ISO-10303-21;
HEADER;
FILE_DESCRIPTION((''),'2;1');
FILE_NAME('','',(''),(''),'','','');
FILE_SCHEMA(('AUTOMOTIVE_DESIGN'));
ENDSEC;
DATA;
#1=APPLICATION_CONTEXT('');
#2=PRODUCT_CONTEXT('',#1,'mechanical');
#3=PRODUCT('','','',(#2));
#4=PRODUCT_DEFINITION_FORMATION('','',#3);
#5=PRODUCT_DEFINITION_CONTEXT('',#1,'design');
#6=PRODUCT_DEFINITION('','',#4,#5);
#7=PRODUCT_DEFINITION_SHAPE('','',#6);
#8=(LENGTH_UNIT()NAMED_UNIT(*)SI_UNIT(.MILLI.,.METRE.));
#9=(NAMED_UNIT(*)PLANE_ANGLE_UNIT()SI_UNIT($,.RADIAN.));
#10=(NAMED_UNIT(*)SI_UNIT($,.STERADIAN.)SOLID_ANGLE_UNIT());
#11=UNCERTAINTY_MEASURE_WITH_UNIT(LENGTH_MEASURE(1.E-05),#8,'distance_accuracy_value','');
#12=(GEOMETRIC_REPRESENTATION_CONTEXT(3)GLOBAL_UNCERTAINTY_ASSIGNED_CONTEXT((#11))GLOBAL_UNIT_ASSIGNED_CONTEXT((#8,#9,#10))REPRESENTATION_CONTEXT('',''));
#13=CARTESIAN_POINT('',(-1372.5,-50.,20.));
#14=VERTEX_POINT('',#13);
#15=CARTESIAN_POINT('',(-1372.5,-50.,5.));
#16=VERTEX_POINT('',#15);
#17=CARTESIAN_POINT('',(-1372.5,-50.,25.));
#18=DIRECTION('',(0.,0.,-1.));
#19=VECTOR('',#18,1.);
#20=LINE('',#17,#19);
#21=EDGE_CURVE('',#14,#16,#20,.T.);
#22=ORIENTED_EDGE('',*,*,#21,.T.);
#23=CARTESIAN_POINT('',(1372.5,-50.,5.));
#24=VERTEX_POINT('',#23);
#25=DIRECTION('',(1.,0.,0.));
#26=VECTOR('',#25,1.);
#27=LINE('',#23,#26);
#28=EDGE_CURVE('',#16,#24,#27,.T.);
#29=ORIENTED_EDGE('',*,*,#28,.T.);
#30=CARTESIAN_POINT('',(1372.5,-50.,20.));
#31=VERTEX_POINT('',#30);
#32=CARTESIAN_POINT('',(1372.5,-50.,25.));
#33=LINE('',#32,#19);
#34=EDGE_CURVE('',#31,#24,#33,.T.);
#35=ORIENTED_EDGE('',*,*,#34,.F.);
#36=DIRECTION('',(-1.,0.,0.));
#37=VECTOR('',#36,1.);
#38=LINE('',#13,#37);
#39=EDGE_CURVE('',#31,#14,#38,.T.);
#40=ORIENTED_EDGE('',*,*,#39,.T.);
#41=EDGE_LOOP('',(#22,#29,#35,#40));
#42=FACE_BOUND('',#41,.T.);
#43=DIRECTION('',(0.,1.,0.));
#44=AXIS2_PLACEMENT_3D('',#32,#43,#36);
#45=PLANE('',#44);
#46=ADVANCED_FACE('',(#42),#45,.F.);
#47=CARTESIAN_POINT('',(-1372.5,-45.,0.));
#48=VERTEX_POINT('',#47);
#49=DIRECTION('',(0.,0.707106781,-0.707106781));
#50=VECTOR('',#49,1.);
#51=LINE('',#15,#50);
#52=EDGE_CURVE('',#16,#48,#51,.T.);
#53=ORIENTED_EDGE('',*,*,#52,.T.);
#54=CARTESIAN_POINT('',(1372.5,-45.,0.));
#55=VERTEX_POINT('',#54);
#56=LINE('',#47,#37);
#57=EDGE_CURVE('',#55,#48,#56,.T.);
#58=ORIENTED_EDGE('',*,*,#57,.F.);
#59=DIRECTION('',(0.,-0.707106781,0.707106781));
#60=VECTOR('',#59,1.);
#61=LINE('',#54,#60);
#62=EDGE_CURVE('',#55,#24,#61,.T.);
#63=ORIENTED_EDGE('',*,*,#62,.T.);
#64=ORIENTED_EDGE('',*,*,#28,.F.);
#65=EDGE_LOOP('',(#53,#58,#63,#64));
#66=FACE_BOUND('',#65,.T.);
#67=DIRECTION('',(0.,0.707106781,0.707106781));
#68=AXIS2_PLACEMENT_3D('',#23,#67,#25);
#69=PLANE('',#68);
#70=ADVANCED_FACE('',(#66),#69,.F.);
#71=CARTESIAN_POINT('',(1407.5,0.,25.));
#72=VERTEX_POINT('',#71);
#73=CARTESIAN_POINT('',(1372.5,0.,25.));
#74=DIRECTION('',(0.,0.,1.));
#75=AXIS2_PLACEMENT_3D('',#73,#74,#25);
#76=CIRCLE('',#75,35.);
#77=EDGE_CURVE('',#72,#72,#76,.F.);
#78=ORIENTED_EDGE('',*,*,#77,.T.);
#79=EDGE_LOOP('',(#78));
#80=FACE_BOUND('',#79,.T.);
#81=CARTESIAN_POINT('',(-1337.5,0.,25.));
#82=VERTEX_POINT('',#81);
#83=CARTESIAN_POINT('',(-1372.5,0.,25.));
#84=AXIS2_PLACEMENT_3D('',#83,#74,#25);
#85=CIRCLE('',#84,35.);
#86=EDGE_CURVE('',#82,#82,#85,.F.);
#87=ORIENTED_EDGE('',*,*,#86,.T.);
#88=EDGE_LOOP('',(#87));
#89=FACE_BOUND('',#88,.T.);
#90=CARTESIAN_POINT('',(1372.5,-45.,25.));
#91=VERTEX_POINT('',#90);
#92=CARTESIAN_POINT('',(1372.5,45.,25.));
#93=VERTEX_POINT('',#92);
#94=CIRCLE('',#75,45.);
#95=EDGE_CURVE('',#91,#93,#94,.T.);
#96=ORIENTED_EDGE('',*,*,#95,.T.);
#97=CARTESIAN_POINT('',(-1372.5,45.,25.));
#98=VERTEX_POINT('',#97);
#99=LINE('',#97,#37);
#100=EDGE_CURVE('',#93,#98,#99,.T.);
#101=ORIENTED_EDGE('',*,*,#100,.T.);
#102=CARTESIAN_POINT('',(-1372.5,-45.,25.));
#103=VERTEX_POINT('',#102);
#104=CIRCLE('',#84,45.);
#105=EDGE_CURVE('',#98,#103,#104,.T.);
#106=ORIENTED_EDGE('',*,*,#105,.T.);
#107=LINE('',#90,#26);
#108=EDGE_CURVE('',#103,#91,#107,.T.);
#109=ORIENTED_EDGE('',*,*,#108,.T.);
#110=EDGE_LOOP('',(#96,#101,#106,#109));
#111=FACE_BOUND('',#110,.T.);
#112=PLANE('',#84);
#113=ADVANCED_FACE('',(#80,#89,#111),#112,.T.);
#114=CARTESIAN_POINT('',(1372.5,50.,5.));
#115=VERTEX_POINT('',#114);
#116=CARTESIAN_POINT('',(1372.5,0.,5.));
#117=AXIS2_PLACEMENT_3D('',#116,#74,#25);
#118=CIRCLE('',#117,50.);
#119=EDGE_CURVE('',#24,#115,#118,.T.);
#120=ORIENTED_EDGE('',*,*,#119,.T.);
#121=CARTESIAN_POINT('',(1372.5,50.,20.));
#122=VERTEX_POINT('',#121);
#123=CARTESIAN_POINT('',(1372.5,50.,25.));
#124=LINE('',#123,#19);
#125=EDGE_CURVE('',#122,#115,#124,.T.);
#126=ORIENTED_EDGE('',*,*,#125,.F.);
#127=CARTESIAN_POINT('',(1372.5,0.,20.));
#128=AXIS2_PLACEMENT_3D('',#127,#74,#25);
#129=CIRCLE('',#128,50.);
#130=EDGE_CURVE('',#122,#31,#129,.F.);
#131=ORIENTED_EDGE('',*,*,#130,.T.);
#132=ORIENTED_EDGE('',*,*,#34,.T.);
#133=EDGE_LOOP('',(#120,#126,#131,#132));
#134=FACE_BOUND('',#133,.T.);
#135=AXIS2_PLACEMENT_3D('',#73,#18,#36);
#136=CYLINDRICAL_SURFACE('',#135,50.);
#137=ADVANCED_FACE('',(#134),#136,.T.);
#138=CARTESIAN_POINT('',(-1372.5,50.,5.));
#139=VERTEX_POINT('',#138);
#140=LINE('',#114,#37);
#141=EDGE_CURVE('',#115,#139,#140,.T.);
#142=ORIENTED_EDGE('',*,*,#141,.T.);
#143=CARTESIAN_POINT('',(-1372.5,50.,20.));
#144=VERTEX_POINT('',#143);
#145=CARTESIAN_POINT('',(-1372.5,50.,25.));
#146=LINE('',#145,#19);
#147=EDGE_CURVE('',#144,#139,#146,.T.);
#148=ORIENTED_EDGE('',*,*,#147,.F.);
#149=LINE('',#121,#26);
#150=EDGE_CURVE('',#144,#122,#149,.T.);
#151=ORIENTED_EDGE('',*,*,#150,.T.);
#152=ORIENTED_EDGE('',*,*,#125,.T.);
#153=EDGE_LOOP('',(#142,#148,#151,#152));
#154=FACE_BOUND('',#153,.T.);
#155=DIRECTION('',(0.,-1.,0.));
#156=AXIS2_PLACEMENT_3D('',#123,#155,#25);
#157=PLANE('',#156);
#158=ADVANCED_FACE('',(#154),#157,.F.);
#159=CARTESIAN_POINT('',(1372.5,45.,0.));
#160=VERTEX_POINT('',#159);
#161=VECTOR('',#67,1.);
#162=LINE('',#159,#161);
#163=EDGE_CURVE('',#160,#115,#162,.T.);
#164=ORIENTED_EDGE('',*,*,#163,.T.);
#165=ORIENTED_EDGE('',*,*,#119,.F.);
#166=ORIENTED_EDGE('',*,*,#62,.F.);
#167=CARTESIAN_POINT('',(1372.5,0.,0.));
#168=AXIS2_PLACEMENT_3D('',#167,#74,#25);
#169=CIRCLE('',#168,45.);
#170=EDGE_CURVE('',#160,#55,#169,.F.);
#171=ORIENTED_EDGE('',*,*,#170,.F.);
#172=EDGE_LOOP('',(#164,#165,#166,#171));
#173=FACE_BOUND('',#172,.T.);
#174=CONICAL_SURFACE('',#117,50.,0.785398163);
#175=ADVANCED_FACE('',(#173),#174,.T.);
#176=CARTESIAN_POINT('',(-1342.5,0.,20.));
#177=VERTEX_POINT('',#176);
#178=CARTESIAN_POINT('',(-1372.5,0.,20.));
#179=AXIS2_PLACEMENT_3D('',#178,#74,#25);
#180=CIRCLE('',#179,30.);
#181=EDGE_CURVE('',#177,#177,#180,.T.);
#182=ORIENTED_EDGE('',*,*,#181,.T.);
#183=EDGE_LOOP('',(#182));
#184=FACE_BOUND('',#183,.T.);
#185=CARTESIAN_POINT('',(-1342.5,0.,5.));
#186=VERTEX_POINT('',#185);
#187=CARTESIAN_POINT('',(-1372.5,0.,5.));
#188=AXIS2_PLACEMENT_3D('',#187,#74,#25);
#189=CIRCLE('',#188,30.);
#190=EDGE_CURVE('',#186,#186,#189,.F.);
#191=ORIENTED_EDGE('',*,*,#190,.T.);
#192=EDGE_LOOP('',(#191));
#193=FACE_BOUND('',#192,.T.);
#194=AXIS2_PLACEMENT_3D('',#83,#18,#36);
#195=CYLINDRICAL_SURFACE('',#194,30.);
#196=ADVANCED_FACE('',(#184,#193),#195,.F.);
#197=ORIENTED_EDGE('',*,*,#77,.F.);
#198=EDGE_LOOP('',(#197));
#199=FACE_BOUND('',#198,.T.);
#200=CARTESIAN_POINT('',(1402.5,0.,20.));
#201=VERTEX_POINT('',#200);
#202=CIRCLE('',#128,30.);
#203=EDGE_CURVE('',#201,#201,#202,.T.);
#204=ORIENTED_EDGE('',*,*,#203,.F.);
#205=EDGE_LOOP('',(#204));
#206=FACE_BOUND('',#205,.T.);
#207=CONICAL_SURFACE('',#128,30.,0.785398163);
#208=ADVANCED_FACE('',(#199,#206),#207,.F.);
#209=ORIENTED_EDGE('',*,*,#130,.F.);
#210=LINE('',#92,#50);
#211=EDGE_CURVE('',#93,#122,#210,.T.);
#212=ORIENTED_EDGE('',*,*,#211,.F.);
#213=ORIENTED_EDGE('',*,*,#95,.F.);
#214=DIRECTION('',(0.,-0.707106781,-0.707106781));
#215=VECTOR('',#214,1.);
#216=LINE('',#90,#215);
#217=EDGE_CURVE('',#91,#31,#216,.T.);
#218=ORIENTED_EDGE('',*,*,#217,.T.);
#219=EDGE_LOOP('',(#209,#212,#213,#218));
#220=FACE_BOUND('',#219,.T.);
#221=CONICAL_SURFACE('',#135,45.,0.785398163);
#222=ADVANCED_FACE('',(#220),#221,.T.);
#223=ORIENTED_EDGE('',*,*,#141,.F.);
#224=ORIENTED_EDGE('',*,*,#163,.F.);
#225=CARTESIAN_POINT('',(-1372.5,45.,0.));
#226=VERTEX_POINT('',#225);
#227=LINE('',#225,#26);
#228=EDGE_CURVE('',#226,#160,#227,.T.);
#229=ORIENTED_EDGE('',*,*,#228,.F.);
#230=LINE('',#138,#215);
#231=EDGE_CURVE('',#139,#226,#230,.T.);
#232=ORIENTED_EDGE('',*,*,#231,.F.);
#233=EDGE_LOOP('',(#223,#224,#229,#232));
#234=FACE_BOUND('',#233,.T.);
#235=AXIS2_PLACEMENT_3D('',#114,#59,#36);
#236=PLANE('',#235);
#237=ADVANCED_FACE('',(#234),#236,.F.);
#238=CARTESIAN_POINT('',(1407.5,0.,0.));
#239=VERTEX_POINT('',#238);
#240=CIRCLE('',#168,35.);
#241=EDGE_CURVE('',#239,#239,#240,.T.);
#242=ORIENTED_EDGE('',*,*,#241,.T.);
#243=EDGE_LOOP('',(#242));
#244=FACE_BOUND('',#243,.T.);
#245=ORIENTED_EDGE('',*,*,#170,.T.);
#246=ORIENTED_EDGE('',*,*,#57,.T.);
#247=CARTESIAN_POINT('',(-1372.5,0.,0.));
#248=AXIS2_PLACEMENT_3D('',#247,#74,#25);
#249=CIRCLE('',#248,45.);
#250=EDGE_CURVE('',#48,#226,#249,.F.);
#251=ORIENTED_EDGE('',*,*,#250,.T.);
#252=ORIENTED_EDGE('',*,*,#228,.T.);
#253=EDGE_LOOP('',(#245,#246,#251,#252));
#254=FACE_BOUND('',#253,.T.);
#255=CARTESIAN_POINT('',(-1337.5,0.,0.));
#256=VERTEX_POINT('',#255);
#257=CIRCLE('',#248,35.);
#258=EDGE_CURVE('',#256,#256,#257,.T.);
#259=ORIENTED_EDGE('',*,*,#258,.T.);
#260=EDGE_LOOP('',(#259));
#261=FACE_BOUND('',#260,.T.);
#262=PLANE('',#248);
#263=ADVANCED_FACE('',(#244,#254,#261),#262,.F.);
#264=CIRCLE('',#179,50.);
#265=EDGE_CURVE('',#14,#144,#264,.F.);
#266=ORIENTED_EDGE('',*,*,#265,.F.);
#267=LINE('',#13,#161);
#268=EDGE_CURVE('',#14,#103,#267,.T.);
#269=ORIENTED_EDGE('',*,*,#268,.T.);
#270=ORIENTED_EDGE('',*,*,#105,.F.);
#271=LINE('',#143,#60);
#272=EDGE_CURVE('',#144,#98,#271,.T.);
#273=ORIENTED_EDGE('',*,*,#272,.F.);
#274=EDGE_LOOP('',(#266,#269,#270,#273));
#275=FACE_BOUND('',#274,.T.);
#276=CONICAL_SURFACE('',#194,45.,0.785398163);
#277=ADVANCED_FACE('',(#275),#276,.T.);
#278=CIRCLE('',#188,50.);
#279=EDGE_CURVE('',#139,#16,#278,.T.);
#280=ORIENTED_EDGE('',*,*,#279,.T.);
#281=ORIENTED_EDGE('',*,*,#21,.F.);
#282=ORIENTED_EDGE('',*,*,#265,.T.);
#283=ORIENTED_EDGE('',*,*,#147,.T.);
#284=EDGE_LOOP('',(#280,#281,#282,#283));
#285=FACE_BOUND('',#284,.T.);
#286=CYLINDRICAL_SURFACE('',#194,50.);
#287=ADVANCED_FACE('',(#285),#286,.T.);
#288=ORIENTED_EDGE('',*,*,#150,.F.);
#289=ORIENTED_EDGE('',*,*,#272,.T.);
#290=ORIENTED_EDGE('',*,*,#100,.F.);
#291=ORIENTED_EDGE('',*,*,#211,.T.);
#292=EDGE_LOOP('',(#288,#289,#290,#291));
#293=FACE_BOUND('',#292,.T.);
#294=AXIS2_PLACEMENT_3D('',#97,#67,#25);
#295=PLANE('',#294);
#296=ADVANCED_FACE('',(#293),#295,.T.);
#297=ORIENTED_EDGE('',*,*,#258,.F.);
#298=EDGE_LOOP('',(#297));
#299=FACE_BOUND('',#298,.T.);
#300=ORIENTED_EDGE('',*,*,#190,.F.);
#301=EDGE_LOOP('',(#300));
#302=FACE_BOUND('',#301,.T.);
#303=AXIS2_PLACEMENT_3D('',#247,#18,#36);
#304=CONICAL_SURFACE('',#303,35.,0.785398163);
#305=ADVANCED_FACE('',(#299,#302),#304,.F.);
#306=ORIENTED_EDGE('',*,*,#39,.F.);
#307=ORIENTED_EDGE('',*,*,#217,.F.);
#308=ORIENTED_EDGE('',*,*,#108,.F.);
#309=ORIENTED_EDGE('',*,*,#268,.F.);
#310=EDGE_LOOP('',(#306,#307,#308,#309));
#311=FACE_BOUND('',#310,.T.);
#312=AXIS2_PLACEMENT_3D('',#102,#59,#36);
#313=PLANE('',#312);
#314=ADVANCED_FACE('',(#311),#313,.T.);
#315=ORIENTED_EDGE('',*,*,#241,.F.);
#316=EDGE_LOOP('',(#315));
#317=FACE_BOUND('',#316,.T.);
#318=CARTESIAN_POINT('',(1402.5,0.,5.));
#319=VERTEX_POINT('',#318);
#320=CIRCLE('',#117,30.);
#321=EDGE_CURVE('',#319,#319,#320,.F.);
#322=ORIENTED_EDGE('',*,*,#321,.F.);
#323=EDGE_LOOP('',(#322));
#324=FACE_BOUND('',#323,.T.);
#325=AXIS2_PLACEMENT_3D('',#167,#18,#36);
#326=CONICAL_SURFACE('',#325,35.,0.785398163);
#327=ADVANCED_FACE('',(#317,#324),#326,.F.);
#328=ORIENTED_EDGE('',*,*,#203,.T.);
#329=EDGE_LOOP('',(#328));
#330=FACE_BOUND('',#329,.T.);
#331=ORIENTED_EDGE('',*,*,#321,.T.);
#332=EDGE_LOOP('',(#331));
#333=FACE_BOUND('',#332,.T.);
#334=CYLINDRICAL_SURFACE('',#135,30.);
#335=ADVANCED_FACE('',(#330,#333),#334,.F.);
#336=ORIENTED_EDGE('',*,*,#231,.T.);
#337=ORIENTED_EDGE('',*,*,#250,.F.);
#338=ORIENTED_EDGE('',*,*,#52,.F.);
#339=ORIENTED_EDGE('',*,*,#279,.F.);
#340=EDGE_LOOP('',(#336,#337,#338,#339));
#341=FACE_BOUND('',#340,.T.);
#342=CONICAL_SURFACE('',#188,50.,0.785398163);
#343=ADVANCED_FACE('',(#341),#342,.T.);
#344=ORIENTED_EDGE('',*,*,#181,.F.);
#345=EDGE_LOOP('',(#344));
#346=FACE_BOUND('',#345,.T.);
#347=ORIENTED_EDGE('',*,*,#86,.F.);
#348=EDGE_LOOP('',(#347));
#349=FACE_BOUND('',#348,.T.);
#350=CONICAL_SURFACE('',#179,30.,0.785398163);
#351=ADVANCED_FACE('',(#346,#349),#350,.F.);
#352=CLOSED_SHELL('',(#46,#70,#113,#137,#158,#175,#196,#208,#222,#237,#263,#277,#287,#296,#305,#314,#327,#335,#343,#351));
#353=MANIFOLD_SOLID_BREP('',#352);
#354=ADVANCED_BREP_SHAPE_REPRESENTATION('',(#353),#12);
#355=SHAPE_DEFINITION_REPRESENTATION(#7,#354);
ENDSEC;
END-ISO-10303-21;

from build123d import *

# Parameters (mm, degrees)
SKETCH1_R           = 30
BOSS_EXTRUDE1_DEPTH = 25
CHAMFER1_SIZE       = 5


with BuildPart() as part:
    # Sketch1 → Boss-Extrude1 (new body)
    with BuildSketch(Plane.XY):
        with BuildLine():
            Line((1372.5, -50), (-1372.5, -50))
            ThreePointArc((-1372.5, -50), (-1422.5, 0), (-1372.5, 50))
            Line((-1372.5, 50), (1372.5, 50))
            ThreePointArc((1372.5, 50), (1422.5, 0), (1372.5, -50))
        make_face()
        with Locations((-1372.5, 0)):
            Circle(SKETCH1_R, mode=Mode.SUBTRACT)
        with Locations(Location((1372.5, 0, 0), (0, 0, 180))):
            Circle(SKETCH1_R, mode=Mode.SUBTRACT)
    extrude(amount=BOSS_EXTRUDE1_DEPTH)

    # Chamfer1
    chamfer1_edges = [part.edges().sort_by_distance(p)[0] for p in [
        (1422.5, 0, 25),
        (-1402.5, 0, 0),
        (-1402.5, 0, 25),
        (0, 50, 25),
        (1402.5, 0, 0),
        (1402.5, 0, 25),
        (-1422.5, 0, 25),
        (0, 50, 0),
        (1422.5, 0, 0),
        (0, -50, 0),
        (-1422.5, 0, 0),
        (0, -50, 25),
    ]]
    chamfer(chamfer1_edges, length=CHAMFER1_SIZE)


solid = part.part
